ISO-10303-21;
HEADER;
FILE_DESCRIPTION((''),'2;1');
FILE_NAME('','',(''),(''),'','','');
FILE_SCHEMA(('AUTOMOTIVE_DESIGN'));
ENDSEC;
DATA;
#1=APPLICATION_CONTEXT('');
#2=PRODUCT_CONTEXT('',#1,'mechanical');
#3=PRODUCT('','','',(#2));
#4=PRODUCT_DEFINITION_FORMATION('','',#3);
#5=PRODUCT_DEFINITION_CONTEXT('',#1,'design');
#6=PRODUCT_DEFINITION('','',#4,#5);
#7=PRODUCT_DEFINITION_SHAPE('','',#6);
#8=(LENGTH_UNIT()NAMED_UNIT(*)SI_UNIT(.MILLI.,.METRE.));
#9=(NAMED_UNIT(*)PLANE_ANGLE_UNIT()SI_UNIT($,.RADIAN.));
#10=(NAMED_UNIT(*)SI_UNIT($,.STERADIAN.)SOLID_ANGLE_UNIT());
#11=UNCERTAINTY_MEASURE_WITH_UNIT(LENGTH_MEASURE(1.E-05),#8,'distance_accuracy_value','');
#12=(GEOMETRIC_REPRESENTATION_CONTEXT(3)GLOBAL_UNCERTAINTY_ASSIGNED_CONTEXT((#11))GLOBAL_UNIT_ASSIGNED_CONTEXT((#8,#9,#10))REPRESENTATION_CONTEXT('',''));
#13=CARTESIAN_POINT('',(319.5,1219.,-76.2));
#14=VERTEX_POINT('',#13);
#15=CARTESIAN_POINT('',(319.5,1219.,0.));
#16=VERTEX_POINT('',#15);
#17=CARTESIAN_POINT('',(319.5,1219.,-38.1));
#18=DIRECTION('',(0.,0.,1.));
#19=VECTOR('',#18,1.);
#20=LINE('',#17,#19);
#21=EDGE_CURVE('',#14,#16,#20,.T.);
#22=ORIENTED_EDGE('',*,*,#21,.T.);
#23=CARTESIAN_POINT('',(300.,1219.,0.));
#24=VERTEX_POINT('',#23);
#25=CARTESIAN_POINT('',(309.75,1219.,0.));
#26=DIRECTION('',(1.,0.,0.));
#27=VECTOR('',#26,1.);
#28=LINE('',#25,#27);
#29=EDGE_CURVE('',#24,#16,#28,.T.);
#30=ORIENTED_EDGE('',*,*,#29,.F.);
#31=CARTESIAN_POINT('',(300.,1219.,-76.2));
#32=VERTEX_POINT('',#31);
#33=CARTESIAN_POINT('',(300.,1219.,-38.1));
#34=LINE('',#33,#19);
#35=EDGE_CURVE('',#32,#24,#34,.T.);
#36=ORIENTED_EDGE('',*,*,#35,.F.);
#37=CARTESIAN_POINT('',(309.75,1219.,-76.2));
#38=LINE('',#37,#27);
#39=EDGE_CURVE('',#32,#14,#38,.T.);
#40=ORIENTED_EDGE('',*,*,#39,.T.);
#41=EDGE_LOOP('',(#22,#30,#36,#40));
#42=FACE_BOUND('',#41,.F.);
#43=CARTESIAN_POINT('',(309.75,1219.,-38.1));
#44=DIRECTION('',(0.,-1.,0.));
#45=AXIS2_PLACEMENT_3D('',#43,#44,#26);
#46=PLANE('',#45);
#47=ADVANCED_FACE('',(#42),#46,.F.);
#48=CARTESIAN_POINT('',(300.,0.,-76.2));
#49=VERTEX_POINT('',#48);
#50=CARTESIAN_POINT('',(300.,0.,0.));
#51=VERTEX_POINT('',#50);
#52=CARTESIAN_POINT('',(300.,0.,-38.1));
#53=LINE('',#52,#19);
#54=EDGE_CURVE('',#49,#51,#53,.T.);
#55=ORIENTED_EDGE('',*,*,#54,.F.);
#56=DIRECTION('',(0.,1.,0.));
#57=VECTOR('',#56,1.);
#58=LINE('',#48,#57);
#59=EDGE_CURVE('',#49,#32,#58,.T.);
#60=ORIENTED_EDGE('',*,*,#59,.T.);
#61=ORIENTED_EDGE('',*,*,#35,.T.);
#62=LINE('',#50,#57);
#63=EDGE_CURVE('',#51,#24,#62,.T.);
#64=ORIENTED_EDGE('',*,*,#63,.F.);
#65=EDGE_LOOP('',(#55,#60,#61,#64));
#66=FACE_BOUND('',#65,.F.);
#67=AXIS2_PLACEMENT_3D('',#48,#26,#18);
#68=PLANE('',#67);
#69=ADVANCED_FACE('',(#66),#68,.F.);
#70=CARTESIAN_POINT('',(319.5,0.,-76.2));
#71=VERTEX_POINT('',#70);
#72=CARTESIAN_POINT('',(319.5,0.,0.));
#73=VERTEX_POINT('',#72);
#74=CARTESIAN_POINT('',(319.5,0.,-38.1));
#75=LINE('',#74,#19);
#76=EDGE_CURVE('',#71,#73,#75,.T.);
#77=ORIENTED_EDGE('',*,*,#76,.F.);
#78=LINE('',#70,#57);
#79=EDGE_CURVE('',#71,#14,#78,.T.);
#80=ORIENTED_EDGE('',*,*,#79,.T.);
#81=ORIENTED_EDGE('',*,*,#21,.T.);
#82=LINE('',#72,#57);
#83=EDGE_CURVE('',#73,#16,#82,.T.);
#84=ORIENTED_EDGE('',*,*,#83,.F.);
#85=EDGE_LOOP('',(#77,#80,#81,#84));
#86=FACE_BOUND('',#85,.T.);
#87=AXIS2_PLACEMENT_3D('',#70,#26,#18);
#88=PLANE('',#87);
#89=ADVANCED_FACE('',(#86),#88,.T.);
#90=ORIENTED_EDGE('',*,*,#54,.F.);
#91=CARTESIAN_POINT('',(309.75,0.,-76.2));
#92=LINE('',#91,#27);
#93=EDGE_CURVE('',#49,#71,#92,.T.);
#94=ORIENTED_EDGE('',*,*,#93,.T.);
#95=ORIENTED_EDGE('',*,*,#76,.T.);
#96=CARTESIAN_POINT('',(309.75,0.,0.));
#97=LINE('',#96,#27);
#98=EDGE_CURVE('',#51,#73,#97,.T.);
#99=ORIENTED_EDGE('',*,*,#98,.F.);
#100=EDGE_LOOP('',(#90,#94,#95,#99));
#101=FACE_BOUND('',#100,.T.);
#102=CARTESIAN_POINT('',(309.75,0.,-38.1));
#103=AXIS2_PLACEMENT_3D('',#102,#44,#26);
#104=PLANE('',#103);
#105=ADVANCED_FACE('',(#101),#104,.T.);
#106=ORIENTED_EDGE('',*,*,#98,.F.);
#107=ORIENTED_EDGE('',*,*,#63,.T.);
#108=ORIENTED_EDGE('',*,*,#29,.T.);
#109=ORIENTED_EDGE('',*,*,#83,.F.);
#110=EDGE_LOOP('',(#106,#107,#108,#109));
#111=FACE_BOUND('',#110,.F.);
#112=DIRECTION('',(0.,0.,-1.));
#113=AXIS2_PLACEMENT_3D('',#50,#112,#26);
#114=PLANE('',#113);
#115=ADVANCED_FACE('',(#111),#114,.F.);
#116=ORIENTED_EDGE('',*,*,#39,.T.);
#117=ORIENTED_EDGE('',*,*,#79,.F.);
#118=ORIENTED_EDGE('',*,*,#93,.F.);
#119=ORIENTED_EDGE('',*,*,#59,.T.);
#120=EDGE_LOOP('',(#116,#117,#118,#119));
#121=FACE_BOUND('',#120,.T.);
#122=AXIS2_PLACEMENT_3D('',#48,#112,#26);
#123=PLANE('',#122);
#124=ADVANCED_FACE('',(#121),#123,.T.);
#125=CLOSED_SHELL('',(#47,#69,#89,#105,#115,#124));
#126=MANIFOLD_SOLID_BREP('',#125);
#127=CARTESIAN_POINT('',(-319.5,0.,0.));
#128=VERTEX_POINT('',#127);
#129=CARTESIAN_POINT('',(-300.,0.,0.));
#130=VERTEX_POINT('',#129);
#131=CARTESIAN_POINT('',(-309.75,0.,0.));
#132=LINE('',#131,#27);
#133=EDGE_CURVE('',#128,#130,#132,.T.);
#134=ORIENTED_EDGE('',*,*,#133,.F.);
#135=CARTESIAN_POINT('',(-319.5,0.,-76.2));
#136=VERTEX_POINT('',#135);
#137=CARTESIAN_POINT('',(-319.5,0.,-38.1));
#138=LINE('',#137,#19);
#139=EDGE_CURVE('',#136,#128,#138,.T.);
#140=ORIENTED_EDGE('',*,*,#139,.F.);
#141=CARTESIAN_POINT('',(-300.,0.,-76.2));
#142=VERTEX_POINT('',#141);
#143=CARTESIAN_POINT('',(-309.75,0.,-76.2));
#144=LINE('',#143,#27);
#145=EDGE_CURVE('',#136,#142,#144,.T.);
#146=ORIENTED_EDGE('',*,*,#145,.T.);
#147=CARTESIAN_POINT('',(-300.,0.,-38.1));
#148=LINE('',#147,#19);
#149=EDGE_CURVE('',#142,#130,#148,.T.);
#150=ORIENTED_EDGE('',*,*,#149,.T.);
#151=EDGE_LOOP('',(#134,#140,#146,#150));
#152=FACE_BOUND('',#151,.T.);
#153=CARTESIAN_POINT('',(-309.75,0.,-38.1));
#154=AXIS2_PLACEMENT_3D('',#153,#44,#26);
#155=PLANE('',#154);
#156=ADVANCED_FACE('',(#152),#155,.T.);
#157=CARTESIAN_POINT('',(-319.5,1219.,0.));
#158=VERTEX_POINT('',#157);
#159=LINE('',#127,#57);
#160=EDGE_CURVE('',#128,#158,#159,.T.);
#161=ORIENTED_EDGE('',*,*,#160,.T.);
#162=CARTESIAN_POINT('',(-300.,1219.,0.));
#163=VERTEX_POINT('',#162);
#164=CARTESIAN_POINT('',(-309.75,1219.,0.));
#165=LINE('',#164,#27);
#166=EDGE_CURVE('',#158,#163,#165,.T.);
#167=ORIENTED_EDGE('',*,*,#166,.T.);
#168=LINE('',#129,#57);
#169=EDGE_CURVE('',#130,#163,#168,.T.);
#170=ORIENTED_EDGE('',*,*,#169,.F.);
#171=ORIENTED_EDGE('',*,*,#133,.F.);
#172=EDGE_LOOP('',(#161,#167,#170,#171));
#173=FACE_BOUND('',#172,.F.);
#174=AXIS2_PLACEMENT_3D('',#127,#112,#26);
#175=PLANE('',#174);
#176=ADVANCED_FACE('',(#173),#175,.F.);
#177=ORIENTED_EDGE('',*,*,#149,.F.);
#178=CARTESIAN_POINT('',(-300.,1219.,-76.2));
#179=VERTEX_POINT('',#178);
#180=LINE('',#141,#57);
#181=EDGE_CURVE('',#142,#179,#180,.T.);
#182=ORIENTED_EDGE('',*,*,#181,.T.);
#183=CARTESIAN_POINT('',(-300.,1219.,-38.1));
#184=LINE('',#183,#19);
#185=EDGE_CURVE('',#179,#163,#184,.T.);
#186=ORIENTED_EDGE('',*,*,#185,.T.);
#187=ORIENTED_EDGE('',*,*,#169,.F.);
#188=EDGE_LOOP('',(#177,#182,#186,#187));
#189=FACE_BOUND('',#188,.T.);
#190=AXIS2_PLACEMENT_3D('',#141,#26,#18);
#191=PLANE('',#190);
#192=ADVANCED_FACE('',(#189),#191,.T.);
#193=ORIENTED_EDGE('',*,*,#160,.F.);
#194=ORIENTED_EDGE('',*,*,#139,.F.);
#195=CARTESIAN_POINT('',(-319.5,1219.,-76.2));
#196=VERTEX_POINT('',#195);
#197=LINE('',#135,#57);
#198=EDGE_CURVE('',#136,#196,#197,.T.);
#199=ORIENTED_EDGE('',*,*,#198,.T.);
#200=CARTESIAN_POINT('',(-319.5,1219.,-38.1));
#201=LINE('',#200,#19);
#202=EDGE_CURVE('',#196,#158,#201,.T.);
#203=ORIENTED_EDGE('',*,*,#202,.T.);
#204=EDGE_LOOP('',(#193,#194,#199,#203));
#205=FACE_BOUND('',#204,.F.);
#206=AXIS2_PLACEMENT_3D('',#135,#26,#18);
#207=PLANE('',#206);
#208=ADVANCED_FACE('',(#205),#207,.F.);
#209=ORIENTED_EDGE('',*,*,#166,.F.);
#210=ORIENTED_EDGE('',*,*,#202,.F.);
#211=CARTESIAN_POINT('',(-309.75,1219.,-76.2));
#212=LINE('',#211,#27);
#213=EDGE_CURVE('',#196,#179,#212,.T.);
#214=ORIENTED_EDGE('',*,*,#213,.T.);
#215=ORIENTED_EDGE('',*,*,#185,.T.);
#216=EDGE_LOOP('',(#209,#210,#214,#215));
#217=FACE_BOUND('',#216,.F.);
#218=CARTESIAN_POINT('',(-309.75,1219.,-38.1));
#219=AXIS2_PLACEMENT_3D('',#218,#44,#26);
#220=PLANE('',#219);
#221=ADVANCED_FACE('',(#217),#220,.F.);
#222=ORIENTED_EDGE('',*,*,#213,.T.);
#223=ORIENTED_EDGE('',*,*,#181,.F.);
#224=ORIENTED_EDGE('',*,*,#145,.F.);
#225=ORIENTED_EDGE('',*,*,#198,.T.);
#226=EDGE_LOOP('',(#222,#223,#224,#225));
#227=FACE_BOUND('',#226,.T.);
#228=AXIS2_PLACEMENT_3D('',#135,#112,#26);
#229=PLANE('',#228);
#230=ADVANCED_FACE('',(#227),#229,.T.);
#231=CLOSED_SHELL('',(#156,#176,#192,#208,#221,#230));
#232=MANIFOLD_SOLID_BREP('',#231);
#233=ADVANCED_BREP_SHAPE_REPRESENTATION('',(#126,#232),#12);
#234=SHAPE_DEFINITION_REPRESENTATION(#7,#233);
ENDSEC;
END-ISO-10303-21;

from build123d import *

# Parameters (mm, degrees)
F0_W     = 19.5
F0_H     = 76.2
F1_DEPTH = 1219


with BuildPart() as f1:
    # F0 (on Front) → F1 (new body)
    with BuildSketch(Plane.XZ):
        with Locations((309.75, -38.1)):
            Rectangle(F0_W, F0_H)
        with Locations((-309.75, -38.1)):
            Rectangle(F0_W, F0_H)
    extrude(amount=-F1_DEPTH)


solid = f1.part
